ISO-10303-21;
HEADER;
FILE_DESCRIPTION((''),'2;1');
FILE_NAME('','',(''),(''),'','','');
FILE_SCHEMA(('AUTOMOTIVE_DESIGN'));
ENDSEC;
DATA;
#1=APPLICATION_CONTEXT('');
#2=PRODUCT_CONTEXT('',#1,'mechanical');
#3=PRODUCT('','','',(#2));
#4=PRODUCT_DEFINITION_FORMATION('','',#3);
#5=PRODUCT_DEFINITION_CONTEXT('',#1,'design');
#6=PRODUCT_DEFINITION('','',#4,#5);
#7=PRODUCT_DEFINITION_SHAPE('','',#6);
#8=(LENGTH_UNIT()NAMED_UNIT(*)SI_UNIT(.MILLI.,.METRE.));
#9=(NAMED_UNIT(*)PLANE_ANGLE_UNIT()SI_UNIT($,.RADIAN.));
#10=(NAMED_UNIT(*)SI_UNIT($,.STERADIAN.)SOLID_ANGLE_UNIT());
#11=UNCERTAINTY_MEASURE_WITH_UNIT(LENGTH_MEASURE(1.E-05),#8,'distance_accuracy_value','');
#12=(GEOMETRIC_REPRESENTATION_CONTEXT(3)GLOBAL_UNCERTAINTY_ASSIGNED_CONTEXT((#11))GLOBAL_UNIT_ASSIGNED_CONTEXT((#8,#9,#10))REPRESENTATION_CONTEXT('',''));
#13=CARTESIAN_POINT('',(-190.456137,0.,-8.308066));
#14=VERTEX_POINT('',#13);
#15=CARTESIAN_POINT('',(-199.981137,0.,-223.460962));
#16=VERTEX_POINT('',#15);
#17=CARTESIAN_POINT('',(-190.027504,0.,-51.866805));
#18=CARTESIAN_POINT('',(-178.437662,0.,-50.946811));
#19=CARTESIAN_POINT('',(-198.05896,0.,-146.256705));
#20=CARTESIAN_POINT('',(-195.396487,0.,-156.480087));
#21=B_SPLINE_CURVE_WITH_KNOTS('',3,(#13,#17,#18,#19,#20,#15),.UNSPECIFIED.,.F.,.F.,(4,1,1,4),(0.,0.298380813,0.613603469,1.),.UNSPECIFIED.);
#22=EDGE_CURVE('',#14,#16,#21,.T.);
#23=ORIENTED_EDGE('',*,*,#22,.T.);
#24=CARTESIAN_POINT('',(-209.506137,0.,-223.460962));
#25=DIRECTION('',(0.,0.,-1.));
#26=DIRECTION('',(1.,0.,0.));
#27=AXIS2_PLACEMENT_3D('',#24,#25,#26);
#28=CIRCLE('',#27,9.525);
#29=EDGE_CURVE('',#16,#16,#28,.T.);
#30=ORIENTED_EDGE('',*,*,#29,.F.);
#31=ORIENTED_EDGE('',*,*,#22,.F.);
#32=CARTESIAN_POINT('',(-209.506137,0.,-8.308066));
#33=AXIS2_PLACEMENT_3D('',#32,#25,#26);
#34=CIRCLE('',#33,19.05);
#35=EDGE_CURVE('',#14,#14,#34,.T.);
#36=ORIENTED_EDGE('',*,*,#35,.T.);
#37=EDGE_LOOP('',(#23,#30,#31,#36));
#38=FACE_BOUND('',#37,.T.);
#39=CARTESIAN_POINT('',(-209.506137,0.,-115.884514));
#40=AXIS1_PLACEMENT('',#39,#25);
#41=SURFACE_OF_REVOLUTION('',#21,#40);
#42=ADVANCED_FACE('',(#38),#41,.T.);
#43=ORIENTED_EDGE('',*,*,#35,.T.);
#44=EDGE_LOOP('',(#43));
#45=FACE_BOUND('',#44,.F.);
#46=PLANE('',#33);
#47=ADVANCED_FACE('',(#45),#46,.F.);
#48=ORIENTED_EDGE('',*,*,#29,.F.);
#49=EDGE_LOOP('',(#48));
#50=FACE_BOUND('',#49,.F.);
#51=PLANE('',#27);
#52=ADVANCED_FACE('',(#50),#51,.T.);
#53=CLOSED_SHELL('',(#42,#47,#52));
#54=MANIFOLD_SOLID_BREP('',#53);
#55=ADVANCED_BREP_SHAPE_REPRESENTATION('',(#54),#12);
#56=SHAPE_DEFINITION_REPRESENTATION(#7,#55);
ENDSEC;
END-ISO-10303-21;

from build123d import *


with BuildPart() as f1:
    # F0 (on Front) → F1 (revolve)
    with BuildSketch(Plane.XZ):
        with BuildLine():
            Line((-190.456137345, -8.308066321), (-209.506137345, -8.308066321))
            Line((-209.506137345, -8.308066321), (-209.506137345, -223.4609615522))
            Line((-209.506137345, -223.4609615522), (-199.981137345, -223.4609615522))
            add(Edge.make_bspline(
                [(-190.456137345, -8.308066321), (-190.0275036592, -51.8668047619), (-178.4376617961, -50.9468111491), (-198.0589598046, -146.2567051674), (-195.3964874342, -156.480086536), (-199.981137345, -223.4609615522)],
                knots=[0, 0, 0, 0, 0.2983808127, 0.6136034688, 1, 1, 1, 1], degree=3))
        make_face()
    revolve(axis=Axis((-209.506137345, 0, -115.8845139366), (0, 0, -1)))


solid = f1.part
